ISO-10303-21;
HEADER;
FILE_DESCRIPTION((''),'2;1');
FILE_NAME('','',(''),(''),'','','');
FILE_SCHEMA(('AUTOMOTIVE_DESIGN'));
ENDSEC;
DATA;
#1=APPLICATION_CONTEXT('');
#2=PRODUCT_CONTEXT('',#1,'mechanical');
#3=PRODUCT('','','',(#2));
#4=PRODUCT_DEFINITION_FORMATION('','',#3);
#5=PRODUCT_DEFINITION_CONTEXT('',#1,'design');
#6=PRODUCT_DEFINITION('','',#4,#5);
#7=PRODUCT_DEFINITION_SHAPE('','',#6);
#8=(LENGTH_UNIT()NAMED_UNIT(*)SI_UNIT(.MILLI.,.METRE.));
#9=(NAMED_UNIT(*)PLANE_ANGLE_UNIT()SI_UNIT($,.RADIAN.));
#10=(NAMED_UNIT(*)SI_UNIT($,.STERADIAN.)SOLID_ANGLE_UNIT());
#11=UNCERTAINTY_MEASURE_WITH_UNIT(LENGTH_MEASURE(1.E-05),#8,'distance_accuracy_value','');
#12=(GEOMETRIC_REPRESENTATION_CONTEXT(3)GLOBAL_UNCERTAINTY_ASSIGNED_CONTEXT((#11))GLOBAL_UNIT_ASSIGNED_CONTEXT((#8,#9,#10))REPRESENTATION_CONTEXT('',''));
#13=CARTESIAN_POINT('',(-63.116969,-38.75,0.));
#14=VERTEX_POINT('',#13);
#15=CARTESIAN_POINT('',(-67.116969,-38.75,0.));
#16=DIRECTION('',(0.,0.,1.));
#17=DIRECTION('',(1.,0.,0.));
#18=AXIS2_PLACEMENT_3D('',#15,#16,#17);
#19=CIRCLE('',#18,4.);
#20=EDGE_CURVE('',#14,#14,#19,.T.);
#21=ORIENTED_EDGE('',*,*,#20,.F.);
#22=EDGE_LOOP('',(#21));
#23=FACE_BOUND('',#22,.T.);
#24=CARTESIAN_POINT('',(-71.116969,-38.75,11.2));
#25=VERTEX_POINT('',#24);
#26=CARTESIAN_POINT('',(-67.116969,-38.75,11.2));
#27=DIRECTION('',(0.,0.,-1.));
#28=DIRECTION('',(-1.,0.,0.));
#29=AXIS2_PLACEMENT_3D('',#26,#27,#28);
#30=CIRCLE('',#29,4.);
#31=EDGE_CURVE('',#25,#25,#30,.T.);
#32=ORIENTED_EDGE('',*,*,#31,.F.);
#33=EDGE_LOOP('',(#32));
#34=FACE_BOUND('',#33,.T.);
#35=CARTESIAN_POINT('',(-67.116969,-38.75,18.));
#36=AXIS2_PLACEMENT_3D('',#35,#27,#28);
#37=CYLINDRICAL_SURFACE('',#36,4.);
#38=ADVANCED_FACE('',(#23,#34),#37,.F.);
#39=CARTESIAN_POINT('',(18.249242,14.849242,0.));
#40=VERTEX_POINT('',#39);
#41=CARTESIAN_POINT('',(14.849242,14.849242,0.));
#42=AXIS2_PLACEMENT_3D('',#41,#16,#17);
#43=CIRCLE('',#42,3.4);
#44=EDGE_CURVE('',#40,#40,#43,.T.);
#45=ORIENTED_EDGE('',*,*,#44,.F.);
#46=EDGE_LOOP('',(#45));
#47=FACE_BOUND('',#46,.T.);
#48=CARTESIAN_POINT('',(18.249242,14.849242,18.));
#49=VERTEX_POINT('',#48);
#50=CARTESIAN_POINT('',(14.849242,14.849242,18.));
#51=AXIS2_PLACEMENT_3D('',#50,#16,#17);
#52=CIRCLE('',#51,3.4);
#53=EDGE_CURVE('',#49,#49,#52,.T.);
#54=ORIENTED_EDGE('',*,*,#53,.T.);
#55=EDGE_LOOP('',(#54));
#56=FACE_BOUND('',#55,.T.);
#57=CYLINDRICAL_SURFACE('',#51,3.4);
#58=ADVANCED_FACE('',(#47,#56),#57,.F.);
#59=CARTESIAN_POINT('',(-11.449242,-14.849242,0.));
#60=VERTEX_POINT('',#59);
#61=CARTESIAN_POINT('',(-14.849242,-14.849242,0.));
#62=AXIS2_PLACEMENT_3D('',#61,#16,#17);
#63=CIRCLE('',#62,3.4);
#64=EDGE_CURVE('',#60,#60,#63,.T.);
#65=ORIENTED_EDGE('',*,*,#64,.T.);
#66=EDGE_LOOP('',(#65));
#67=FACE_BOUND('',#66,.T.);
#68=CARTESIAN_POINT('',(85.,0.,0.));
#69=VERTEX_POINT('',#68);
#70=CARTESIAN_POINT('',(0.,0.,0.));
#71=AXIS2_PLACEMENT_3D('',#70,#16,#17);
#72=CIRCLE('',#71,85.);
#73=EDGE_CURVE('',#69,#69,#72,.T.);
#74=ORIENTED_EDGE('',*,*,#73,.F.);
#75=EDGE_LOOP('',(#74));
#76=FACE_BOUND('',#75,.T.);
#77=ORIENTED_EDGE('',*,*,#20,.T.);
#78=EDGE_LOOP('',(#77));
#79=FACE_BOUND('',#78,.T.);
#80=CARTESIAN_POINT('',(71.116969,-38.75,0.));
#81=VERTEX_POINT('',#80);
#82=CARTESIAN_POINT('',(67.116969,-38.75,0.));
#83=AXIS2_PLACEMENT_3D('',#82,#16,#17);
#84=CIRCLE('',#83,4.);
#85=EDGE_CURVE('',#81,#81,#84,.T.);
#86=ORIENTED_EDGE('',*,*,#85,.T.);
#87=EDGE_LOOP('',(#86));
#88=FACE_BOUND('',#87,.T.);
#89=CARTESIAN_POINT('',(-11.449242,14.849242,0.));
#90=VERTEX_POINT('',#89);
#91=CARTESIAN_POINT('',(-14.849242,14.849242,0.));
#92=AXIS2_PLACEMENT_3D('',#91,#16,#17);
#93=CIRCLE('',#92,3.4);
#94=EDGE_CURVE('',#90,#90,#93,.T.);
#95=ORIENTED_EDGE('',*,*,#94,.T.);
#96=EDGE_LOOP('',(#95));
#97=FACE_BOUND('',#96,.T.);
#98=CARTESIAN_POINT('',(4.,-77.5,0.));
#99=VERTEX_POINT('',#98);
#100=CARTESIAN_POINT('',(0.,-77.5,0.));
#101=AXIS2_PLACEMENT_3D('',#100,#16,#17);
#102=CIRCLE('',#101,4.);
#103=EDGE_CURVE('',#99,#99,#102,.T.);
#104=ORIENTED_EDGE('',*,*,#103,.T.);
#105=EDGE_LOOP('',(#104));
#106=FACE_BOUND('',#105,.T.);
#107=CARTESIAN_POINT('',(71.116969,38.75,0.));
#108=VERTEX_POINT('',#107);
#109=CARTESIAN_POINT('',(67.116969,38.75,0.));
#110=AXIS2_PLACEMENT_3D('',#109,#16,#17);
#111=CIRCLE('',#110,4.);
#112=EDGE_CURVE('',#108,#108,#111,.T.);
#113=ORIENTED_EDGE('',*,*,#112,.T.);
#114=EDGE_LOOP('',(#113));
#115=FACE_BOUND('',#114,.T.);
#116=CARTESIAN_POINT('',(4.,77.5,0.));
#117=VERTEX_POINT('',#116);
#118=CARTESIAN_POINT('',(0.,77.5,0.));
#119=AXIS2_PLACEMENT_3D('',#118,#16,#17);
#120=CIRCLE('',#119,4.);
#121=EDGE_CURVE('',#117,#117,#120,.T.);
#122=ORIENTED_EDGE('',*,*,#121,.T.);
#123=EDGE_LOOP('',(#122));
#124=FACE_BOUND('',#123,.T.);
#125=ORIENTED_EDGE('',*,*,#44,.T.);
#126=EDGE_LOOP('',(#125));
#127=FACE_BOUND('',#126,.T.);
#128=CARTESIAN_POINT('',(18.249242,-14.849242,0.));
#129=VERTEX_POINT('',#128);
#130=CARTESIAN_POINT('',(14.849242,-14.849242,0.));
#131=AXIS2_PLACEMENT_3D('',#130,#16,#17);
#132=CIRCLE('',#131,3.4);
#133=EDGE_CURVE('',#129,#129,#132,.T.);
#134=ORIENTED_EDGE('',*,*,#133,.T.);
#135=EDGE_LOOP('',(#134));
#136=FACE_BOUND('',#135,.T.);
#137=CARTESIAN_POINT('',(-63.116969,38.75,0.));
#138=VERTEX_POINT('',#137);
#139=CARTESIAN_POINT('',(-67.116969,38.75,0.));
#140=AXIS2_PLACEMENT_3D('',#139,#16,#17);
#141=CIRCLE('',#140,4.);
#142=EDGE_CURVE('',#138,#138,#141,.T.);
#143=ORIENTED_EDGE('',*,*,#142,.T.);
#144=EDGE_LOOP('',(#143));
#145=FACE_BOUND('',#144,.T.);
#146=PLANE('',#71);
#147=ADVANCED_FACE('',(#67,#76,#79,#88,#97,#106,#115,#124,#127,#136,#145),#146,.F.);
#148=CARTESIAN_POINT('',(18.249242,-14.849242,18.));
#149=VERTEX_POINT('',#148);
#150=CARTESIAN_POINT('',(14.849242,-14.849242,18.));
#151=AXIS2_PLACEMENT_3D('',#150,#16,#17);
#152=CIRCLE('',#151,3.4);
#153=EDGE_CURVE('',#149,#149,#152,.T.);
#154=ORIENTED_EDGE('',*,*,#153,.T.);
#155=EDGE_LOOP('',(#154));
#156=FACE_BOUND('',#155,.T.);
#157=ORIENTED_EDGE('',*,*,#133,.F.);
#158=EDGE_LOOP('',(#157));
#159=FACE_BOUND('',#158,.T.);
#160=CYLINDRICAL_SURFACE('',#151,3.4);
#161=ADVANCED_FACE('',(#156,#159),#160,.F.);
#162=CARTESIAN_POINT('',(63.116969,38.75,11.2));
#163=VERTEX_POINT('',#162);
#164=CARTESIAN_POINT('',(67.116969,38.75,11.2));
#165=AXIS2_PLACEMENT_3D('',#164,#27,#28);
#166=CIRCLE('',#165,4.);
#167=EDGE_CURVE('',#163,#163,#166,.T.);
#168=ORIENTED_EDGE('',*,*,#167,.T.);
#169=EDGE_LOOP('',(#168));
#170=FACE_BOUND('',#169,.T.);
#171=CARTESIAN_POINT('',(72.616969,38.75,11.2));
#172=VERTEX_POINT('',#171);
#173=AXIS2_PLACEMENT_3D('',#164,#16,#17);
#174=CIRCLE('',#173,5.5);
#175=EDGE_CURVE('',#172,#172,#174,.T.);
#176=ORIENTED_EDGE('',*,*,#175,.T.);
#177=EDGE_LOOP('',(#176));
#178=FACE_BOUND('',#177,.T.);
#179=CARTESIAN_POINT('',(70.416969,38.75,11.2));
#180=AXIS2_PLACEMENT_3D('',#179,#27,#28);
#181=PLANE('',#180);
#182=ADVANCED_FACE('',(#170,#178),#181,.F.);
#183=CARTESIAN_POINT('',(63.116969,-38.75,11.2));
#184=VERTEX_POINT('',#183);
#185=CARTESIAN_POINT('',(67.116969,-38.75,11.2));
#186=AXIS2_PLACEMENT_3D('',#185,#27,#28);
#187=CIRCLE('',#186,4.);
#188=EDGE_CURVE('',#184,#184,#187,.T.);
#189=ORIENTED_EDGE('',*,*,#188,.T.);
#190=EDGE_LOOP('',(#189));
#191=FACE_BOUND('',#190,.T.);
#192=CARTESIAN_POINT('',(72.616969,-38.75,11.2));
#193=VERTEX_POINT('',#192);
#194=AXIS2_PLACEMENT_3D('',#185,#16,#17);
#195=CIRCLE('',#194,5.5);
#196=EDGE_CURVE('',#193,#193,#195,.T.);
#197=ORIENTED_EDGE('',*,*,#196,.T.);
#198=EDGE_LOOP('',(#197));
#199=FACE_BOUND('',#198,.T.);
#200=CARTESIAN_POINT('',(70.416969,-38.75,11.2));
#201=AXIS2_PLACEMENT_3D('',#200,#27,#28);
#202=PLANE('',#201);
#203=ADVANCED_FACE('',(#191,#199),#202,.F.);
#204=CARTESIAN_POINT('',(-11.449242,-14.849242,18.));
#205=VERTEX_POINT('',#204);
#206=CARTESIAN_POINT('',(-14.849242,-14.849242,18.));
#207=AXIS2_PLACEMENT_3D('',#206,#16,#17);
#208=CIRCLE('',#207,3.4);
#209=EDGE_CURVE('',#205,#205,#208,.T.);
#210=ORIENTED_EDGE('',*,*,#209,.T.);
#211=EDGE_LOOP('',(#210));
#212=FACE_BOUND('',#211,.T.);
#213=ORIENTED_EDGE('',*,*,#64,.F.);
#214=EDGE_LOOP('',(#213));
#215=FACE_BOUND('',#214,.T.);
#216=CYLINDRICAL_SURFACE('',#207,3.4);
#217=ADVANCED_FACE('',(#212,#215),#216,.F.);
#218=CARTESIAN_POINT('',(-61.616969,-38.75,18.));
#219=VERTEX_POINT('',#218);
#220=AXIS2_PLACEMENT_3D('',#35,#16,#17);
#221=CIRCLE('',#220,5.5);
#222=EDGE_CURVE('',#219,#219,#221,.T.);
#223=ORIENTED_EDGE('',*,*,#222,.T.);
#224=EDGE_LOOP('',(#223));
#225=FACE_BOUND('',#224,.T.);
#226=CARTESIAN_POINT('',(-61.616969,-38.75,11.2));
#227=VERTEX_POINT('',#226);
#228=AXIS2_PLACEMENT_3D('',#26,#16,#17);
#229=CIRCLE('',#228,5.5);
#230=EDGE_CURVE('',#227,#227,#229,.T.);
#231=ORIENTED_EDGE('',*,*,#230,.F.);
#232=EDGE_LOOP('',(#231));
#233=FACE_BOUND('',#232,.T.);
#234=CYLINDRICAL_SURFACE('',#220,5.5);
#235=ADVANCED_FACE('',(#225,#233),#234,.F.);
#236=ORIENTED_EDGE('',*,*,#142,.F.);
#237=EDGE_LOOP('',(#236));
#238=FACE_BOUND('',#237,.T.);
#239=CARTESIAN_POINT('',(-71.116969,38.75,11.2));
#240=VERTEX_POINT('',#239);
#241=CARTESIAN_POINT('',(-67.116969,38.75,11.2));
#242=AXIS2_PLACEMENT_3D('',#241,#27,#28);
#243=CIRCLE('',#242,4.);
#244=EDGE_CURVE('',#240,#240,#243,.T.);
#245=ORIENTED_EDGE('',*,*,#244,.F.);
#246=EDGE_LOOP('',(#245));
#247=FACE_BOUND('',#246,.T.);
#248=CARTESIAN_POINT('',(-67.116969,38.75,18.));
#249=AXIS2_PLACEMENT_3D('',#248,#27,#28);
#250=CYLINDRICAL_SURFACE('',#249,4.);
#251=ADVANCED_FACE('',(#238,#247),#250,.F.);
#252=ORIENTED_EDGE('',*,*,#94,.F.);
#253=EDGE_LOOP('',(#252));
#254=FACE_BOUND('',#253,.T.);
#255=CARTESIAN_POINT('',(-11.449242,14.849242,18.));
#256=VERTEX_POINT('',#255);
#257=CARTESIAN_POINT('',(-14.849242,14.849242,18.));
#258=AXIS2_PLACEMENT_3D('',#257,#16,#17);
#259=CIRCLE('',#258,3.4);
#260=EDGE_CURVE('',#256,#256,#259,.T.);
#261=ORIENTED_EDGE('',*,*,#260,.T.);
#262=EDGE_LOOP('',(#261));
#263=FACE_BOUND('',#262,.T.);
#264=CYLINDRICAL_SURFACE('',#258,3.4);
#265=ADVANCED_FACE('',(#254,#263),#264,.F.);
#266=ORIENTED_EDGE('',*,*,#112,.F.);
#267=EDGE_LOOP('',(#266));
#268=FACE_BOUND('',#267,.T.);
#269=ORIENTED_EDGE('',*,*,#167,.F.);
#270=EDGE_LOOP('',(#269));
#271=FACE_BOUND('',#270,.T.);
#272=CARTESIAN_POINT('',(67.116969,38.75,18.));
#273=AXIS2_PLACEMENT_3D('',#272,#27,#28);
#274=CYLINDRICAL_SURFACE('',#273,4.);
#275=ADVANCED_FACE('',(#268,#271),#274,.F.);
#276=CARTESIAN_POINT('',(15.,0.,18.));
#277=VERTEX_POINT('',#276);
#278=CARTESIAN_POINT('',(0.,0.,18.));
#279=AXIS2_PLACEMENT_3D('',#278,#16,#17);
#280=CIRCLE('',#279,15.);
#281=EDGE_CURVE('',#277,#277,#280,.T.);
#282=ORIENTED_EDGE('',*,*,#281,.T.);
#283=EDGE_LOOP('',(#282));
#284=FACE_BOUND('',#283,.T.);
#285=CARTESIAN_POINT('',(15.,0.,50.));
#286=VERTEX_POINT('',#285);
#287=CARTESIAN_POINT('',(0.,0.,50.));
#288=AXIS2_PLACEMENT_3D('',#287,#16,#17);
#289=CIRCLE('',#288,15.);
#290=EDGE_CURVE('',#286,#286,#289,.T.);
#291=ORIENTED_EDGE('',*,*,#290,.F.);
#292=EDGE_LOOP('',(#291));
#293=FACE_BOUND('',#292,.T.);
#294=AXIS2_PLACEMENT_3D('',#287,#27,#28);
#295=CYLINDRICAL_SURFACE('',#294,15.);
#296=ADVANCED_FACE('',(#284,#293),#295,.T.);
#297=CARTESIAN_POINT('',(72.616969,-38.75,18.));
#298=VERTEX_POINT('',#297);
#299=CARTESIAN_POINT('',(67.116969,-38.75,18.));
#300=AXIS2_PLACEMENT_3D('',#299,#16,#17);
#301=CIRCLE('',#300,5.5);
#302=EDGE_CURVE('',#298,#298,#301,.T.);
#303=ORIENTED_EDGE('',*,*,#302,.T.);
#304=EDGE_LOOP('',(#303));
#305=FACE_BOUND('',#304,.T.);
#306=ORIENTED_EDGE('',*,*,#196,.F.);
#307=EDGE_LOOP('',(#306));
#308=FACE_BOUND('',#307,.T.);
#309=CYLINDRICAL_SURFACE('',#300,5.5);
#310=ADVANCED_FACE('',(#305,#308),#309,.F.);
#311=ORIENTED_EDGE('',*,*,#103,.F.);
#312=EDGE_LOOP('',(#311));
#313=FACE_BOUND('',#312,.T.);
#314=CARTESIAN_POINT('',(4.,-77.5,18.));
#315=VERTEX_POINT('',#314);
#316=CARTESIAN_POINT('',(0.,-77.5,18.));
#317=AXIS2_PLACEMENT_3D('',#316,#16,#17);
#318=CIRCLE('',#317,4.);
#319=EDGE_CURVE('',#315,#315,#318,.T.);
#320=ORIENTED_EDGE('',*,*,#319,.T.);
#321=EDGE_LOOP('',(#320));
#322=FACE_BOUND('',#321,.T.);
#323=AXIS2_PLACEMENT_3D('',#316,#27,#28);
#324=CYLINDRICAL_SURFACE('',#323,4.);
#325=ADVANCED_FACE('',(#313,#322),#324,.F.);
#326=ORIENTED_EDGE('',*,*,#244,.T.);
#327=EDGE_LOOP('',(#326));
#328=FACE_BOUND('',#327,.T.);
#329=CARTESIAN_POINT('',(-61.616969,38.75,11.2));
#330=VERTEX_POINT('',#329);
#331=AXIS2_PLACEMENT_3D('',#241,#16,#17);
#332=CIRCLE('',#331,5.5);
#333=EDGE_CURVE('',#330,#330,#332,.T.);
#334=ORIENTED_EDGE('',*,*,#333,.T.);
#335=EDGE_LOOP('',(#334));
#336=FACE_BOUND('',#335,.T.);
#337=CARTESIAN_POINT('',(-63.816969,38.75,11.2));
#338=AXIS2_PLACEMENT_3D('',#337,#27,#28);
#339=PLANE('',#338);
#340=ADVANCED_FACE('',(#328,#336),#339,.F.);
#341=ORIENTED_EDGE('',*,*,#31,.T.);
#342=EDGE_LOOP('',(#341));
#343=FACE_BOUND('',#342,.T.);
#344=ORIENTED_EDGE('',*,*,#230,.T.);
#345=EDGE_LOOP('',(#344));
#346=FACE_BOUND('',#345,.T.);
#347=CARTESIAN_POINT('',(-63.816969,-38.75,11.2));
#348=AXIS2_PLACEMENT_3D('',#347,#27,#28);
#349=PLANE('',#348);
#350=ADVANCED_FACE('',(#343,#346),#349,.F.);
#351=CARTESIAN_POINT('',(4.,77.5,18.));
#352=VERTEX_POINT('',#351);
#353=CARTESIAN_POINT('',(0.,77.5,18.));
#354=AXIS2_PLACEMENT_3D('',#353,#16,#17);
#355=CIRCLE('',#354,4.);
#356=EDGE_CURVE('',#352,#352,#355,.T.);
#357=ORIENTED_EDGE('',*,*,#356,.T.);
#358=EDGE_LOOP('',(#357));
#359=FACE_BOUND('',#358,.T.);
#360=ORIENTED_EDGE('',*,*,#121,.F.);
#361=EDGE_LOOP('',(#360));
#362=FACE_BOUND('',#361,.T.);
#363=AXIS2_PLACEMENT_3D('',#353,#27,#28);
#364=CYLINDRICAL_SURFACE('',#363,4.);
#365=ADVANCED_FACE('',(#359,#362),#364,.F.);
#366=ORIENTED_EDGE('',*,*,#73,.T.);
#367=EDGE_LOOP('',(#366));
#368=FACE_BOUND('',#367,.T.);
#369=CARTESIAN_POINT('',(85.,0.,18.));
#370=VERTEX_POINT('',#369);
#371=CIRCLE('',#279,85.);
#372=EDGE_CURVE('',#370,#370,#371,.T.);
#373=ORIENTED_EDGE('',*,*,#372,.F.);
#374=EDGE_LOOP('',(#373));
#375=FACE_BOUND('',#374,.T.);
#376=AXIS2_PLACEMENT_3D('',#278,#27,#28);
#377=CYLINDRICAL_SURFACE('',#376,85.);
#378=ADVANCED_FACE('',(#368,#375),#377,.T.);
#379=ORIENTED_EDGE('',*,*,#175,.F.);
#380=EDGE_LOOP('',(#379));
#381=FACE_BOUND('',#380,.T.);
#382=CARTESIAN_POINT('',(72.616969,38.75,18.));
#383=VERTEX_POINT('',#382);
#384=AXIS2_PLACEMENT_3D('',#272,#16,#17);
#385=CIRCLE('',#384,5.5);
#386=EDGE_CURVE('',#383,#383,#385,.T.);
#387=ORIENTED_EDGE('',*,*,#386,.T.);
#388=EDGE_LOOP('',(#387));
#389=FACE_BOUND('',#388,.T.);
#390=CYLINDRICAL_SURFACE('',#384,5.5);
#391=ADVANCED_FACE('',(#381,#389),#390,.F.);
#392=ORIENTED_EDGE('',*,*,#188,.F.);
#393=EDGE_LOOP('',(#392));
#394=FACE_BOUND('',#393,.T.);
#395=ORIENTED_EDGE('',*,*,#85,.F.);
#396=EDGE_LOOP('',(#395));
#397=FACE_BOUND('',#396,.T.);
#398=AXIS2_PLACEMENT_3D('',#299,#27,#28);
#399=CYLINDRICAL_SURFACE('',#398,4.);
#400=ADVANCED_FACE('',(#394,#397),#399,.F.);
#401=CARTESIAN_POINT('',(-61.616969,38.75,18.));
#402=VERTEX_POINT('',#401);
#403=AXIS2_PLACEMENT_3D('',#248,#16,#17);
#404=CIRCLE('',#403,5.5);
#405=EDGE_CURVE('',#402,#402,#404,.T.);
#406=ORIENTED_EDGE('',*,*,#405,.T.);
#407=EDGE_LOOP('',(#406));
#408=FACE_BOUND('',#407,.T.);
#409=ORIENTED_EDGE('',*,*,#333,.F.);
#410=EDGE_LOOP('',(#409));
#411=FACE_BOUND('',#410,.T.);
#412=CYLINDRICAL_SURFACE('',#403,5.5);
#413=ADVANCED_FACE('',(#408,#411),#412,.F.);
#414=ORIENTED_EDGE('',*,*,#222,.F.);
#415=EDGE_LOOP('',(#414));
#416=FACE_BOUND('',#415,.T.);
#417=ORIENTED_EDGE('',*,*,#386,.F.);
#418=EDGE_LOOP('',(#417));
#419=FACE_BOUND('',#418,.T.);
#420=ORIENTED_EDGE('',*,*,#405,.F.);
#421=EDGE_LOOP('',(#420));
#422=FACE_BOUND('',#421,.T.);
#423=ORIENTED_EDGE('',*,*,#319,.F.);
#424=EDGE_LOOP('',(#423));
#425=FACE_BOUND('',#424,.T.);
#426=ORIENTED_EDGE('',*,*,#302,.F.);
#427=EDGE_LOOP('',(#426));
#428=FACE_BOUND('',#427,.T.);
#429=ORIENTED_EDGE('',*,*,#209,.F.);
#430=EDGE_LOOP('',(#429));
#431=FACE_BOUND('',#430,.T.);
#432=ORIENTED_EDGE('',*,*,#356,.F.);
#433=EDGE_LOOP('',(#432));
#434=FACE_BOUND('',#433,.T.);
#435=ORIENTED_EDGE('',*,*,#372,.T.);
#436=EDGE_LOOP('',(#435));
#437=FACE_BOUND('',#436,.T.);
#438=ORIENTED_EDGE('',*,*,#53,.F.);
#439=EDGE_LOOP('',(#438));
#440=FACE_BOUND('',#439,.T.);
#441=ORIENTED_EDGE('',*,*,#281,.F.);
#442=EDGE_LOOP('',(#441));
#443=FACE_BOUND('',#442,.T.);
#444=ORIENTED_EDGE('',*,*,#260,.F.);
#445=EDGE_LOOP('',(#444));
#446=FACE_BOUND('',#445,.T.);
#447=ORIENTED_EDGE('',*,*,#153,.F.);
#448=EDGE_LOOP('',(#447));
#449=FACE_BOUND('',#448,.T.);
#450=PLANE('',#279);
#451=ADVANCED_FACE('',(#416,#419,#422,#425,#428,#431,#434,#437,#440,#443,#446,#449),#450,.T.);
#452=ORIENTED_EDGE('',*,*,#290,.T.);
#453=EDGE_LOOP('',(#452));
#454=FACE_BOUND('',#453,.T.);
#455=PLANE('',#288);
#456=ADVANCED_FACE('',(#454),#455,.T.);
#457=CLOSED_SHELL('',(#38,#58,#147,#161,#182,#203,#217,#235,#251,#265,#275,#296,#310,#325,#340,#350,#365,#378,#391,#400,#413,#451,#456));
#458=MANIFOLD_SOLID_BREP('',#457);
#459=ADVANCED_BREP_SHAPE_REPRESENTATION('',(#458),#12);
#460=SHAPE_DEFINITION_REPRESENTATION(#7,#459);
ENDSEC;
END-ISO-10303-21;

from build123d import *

# Parameters (mm, degrees)
SKETCH_1_R                = 85
SKETCH_1_R_2              = 4
SKETCH_1_R_3              = 3
EXTRUDE_1_DEPTH           = 18
HOLE_WIZARD_1_D           = 6.6
HOLE_WIZARD_1_CBORE_D     = 11
HOLE_WIZARD_1_CBORE_DEPTH = 6.8
HOLE_WIZARD_M8_1_D        = 6.8
SKETCH_6_R                = 15
EXTRUDE_2_DEPTH           = 32


with BuildPart() as part:
    # 草图1 → 凸台-拉伸1 (new body)
    with BuildSketch(Plane.XY):
        Circle(SKETCH_1_R)
        with Locations((0, 77.5)):
            Circle(SKETCH_1_R_2, mode=Mode.SUBTRACT)
        with Locations((67.116968793, 38.75)):
            Circle(SKETCH_1_R_2, mode=Mode.SUBTRACT)
        with Locations((67.116968793, -38.75)):
            Circle(SKETCH_1_R_2, mode=Mode.SUBTRACT)
        with Locations((0, -77.5)):
            Circle(SKETCH_1_R_2, mode=Mode.SUBTRACT)
        with Locations((-67.116968793, -38.75)):
            Circle(SKETCH_1_R_2, mode=Mode.SUBTRACT)
        with Locations((-67.116968793, 38.75)):
            Circle(SKETCH_1_R_2, mode=Mode.SUBTRACT)
        with Locations((-14.849242405, 14.849242405)):
            Circle(SKETCH_1_R_3, mode=Mode.SUBTRACT)
        with Locations((14.849242405, 14.849242405)):
            Circle(SKETCH_1_R_3, mode=Mode.SUBTRACT)
        with Locations((14.849242405, -14.849242405)):
            Circle(SKETCH_1_R_3, mode=Mode.SUBTRACT)
        with Locations((-14.849242405, -14.849242405)):
            Circle(SKETCH_1_R_3, mode=Mode.SUBTRACT)
    extrude(amount=EXTRUDE_1_DEPTH)

    # 打孔尺寸(%根据)内六角圆柱头螺钉的类型1 (through all)
    with Locations(Plane.XY.offset(18)):
        with Locations((-67.116968793, 38.75), (67.116968793, 38.75), (67.116968793, -38.75), (-67.116968793, -38.75)):
            CounterBoreHole(HOLE_WIZARD_1_D / 2, HOLE_WIZARD_1_CBORE_D / 2, HOLE_WIZARD_1_CBORE_DEPTH)

    # M8 螺纹孔1 (through all)
    with Locations(Plane.XY.offset(18)):
        with Locations((-14.849242405, 14.849242405), (14.849242405, 14.849242405), (14.849242405, -14.849242405), (-14.849242405, -14.849242405)):
            Hole(HOLE_WIZARD_M8_1_D / 2)

    # 草图6 → 凸台-拉伸2 (add)
    with BuildSketch(Plane.XY.offset(18)):
        Circle(SKETCH_6_R)
    extrude(amount=EXTRUDE_2_DEPTH)


solid = part.part
